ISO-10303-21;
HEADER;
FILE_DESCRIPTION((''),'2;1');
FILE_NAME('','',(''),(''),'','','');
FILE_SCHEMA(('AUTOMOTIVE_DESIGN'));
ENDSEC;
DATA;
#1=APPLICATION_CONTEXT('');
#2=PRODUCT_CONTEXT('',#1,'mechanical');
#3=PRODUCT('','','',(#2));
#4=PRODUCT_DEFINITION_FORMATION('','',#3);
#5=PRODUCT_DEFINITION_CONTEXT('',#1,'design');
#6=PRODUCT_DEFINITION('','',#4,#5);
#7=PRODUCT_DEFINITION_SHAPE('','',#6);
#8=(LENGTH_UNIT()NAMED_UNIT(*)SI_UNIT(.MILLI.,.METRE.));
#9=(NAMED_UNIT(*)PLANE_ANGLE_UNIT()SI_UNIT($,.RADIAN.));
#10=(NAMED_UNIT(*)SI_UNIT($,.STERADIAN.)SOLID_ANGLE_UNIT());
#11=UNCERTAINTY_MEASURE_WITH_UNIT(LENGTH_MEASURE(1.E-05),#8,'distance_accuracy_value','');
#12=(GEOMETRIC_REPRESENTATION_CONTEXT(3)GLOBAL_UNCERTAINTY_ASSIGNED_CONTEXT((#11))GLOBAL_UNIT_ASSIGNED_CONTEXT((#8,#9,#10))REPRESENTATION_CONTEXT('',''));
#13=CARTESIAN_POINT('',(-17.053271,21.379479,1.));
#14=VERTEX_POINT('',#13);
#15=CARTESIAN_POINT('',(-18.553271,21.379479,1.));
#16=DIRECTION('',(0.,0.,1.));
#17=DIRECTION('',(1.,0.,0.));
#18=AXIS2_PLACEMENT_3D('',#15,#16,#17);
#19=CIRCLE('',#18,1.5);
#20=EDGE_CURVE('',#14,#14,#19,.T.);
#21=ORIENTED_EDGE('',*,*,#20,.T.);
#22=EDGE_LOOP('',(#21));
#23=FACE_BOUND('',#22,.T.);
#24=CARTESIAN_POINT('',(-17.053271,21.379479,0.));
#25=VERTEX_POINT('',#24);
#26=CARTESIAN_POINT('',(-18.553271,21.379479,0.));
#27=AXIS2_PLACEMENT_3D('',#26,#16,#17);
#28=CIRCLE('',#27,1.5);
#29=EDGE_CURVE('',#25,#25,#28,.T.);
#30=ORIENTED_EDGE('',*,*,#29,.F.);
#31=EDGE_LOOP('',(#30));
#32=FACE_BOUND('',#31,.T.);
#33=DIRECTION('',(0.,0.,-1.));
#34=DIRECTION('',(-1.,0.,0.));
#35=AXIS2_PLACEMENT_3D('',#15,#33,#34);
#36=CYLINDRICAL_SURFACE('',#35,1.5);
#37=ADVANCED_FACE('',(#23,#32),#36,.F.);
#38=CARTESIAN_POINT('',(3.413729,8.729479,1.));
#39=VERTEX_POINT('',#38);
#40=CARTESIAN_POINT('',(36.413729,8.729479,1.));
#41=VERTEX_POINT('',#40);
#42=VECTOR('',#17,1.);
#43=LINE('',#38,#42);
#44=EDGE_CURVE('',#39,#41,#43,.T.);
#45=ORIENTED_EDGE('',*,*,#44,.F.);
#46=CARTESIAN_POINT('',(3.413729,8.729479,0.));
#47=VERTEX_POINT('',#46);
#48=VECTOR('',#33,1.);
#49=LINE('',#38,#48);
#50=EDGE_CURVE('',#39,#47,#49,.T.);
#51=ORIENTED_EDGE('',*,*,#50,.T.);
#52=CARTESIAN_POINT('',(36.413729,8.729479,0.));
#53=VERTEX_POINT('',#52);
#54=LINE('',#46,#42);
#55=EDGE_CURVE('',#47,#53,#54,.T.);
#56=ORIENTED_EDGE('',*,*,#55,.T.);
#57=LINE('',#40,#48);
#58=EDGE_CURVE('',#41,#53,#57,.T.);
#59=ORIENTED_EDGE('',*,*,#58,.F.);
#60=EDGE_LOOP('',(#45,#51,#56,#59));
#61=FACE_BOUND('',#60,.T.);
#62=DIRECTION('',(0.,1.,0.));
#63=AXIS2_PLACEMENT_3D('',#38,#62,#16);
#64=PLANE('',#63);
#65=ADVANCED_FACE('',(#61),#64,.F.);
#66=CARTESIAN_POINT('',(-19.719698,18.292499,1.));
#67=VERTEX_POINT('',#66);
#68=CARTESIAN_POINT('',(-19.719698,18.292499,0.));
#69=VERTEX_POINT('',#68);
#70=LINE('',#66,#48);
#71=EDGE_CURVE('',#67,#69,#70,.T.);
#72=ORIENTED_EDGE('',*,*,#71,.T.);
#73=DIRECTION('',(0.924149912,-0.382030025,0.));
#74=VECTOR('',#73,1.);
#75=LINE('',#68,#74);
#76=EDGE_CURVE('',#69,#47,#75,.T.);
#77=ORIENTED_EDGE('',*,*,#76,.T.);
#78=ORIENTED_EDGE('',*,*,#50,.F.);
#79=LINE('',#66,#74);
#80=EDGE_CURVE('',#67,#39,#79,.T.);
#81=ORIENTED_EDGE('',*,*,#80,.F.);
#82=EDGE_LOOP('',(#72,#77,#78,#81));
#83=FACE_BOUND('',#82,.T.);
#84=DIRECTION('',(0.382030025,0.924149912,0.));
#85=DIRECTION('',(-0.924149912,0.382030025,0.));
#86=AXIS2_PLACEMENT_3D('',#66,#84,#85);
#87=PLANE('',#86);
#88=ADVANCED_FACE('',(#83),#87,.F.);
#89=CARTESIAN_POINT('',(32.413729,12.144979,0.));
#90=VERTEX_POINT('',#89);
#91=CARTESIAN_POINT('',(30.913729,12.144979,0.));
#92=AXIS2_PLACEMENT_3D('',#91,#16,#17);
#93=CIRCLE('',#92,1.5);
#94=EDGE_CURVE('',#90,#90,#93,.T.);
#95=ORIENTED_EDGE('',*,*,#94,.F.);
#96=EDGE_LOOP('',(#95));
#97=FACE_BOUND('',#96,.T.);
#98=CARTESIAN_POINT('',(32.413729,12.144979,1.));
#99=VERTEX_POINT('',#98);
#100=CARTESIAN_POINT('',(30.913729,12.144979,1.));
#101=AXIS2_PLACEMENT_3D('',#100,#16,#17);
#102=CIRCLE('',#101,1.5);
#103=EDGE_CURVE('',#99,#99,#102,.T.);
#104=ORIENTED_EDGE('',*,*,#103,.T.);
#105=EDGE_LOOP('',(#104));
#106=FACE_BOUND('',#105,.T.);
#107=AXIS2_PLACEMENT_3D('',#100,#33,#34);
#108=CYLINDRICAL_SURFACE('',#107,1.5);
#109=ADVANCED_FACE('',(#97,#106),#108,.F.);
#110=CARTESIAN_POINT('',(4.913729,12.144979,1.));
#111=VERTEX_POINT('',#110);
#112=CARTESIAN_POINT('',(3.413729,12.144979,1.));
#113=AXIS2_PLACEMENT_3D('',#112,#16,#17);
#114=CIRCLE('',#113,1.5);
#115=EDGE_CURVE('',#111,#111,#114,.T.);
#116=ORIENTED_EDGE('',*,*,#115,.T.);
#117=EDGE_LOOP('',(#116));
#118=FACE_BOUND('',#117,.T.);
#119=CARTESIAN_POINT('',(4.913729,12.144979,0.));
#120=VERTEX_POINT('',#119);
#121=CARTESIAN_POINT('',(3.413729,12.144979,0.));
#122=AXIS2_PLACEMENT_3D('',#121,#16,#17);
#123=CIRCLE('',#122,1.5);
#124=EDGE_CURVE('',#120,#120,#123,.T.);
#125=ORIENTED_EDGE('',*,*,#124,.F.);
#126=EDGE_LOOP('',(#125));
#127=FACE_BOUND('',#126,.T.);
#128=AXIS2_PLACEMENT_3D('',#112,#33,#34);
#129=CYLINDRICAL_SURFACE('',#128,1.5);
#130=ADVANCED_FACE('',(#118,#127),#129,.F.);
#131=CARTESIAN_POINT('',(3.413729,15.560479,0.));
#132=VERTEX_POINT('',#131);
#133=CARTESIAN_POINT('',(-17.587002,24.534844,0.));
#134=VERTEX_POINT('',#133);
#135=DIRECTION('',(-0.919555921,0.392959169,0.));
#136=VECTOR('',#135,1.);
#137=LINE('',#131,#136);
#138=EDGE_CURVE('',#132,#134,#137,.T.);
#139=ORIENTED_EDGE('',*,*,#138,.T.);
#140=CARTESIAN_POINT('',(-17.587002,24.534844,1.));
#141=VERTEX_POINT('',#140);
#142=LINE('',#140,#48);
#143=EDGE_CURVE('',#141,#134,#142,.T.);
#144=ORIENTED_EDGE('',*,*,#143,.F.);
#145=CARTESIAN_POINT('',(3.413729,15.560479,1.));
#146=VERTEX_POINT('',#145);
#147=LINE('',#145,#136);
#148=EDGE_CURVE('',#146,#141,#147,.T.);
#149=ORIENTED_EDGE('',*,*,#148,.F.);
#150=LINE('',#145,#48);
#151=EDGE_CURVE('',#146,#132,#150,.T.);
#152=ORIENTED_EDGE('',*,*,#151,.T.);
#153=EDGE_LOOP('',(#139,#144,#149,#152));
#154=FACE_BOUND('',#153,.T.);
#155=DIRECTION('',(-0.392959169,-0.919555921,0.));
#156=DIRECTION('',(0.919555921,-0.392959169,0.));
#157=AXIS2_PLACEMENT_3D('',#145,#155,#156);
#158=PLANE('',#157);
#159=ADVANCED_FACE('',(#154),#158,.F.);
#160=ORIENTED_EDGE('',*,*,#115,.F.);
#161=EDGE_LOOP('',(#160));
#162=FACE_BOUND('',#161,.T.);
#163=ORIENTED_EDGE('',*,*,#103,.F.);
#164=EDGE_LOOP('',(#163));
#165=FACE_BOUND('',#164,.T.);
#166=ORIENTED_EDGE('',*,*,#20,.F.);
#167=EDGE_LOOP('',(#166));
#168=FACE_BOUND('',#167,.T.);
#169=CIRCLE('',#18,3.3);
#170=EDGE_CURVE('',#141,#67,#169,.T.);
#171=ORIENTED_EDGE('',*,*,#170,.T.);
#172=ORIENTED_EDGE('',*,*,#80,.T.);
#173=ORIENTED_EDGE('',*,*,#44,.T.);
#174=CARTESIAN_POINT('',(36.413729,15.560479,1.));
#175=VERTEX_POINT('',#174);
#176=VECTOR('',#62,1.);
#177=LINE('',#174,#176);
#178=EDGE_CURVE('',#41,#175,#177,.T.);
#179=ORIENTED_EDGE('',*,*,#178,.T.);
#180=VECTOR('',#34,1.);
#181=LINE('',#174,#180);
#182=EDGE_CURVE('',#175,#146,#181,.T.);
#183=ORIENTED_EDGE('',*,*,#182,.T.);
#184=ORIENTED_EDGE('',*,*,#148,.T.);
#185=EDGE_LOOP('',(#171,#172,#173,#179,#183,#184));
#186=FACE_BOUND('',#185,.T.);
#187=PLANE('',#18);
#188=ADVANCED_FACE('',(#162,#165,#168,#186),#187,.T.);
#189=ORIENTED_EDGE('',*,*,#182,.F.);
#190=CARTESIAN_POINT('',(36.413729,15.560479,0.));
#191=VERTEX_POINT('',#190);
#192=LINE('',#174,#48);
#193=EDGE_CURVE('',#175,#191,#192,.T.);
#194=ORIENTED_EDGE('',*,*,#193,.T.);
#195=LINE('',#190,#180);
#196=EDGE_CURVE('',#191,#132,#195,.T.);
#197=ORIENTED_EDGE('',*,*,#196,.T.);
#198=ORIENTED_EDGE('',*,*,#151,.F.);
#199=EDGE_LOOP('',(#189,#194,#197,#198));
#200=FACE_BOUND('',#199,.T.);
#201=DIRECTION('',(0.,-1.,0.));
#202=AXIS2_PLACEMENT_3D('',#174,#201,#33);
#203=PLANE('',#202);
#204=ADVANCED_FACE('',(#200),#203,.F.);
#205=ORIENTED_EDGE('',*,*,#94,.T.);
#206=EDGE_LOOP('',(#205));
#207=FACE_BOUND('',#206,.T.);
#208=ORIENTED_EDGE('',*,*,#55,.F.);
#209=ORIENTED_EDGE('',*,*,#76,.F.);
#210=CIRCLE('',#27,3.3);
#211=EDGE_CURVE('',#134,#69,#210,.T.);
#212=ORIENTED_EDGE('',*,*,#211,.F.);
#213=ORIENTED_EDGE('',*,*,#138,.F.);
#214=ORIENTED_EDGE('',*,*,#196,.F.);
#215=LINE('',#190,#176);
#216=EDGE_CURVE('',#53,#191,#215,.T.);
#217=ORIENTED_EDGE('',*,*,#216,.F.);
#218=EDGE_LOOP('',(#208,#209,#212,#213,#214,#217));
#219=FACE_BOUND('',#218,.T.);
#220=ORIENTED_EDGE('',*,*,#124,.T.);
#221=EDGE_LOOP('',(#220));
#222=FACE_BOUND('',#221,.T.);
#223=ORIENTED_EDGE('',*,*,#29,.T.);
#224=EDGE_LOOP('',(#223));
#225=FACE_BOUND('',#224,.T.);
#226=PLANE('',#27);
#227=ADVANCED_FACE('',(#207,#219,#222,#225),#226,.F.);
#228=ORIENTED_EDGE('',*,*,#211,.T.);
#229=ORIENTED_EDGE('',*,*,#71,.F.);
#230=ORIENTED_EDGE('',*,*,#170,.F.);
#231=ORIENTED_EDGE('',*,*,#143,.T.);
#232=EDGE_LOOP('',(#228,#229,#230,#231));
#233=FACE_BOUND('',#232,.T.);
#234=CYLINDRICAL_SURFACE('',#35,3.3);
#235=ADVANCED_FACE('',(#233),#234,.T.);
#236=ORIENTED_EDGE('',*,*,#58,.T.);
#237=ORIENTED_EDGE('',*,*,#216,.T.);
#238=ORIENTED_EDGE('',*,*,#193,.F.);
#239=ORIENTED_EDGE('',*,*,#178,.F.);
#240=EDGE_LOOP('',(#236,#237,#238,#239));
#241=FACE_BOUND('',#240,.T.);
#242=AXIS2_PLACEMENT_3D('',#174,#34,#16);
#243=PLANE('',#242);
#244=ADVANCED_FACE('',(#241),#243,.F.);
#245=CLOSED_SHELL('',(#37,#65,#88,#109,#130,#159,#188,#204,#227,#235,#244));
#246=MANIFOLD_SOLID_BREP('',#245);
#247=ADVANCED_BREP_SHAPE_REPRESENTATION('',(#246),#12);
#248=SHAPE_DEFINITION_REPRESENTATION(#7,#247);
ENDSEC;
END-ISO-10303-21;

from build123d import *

# Parameters (mm, degrees)
MODEL_R                 = 1.5
SALIENTE_EXTRUIR1_DEPTH = 1


with BuildPart() as part:
    # Model → Saliente-Extruir1 (new body)
    with BuildSketch(Plane.XY):
        with BuildLine():
            Line((36.413729409, 15.560479415), (36.413729409, 8.729479415))
            Line((36.413729409, 8.729479415), (3.413729409, 8.729479415))
            Line((3.413729409, 8.729479415), (-19.719697987, 18.292499154))
            ThreePointArc((-19.719697987, 18.292499154), (-21.676047123, 22.446375255), (-17.587002389, 24.534844015))
            Line((-17.587002389, 24.534844015), (3.413729409, 15.560479415))
            Line((3.413729409, 15.560479415), (36.413729409, 15.560479415))
        make_face()
        with Locations((30.913729409, 12.144979414)):
            Circle(MODEL_R, mode=Mode.SUBTRACT)
        with Locations((3.413729409, 12.144979414)):
            Circle(MODEL_R, mode=Mode.SUBTRACT)
        with Locations((-18.553270591, 21.379479415)):
            Circle(MODEL_R, mode=Mode.SUBTRACT)
    extrude(amount=SALIENTE_EXTRUIR1_DEPTH)


solid = part.part
